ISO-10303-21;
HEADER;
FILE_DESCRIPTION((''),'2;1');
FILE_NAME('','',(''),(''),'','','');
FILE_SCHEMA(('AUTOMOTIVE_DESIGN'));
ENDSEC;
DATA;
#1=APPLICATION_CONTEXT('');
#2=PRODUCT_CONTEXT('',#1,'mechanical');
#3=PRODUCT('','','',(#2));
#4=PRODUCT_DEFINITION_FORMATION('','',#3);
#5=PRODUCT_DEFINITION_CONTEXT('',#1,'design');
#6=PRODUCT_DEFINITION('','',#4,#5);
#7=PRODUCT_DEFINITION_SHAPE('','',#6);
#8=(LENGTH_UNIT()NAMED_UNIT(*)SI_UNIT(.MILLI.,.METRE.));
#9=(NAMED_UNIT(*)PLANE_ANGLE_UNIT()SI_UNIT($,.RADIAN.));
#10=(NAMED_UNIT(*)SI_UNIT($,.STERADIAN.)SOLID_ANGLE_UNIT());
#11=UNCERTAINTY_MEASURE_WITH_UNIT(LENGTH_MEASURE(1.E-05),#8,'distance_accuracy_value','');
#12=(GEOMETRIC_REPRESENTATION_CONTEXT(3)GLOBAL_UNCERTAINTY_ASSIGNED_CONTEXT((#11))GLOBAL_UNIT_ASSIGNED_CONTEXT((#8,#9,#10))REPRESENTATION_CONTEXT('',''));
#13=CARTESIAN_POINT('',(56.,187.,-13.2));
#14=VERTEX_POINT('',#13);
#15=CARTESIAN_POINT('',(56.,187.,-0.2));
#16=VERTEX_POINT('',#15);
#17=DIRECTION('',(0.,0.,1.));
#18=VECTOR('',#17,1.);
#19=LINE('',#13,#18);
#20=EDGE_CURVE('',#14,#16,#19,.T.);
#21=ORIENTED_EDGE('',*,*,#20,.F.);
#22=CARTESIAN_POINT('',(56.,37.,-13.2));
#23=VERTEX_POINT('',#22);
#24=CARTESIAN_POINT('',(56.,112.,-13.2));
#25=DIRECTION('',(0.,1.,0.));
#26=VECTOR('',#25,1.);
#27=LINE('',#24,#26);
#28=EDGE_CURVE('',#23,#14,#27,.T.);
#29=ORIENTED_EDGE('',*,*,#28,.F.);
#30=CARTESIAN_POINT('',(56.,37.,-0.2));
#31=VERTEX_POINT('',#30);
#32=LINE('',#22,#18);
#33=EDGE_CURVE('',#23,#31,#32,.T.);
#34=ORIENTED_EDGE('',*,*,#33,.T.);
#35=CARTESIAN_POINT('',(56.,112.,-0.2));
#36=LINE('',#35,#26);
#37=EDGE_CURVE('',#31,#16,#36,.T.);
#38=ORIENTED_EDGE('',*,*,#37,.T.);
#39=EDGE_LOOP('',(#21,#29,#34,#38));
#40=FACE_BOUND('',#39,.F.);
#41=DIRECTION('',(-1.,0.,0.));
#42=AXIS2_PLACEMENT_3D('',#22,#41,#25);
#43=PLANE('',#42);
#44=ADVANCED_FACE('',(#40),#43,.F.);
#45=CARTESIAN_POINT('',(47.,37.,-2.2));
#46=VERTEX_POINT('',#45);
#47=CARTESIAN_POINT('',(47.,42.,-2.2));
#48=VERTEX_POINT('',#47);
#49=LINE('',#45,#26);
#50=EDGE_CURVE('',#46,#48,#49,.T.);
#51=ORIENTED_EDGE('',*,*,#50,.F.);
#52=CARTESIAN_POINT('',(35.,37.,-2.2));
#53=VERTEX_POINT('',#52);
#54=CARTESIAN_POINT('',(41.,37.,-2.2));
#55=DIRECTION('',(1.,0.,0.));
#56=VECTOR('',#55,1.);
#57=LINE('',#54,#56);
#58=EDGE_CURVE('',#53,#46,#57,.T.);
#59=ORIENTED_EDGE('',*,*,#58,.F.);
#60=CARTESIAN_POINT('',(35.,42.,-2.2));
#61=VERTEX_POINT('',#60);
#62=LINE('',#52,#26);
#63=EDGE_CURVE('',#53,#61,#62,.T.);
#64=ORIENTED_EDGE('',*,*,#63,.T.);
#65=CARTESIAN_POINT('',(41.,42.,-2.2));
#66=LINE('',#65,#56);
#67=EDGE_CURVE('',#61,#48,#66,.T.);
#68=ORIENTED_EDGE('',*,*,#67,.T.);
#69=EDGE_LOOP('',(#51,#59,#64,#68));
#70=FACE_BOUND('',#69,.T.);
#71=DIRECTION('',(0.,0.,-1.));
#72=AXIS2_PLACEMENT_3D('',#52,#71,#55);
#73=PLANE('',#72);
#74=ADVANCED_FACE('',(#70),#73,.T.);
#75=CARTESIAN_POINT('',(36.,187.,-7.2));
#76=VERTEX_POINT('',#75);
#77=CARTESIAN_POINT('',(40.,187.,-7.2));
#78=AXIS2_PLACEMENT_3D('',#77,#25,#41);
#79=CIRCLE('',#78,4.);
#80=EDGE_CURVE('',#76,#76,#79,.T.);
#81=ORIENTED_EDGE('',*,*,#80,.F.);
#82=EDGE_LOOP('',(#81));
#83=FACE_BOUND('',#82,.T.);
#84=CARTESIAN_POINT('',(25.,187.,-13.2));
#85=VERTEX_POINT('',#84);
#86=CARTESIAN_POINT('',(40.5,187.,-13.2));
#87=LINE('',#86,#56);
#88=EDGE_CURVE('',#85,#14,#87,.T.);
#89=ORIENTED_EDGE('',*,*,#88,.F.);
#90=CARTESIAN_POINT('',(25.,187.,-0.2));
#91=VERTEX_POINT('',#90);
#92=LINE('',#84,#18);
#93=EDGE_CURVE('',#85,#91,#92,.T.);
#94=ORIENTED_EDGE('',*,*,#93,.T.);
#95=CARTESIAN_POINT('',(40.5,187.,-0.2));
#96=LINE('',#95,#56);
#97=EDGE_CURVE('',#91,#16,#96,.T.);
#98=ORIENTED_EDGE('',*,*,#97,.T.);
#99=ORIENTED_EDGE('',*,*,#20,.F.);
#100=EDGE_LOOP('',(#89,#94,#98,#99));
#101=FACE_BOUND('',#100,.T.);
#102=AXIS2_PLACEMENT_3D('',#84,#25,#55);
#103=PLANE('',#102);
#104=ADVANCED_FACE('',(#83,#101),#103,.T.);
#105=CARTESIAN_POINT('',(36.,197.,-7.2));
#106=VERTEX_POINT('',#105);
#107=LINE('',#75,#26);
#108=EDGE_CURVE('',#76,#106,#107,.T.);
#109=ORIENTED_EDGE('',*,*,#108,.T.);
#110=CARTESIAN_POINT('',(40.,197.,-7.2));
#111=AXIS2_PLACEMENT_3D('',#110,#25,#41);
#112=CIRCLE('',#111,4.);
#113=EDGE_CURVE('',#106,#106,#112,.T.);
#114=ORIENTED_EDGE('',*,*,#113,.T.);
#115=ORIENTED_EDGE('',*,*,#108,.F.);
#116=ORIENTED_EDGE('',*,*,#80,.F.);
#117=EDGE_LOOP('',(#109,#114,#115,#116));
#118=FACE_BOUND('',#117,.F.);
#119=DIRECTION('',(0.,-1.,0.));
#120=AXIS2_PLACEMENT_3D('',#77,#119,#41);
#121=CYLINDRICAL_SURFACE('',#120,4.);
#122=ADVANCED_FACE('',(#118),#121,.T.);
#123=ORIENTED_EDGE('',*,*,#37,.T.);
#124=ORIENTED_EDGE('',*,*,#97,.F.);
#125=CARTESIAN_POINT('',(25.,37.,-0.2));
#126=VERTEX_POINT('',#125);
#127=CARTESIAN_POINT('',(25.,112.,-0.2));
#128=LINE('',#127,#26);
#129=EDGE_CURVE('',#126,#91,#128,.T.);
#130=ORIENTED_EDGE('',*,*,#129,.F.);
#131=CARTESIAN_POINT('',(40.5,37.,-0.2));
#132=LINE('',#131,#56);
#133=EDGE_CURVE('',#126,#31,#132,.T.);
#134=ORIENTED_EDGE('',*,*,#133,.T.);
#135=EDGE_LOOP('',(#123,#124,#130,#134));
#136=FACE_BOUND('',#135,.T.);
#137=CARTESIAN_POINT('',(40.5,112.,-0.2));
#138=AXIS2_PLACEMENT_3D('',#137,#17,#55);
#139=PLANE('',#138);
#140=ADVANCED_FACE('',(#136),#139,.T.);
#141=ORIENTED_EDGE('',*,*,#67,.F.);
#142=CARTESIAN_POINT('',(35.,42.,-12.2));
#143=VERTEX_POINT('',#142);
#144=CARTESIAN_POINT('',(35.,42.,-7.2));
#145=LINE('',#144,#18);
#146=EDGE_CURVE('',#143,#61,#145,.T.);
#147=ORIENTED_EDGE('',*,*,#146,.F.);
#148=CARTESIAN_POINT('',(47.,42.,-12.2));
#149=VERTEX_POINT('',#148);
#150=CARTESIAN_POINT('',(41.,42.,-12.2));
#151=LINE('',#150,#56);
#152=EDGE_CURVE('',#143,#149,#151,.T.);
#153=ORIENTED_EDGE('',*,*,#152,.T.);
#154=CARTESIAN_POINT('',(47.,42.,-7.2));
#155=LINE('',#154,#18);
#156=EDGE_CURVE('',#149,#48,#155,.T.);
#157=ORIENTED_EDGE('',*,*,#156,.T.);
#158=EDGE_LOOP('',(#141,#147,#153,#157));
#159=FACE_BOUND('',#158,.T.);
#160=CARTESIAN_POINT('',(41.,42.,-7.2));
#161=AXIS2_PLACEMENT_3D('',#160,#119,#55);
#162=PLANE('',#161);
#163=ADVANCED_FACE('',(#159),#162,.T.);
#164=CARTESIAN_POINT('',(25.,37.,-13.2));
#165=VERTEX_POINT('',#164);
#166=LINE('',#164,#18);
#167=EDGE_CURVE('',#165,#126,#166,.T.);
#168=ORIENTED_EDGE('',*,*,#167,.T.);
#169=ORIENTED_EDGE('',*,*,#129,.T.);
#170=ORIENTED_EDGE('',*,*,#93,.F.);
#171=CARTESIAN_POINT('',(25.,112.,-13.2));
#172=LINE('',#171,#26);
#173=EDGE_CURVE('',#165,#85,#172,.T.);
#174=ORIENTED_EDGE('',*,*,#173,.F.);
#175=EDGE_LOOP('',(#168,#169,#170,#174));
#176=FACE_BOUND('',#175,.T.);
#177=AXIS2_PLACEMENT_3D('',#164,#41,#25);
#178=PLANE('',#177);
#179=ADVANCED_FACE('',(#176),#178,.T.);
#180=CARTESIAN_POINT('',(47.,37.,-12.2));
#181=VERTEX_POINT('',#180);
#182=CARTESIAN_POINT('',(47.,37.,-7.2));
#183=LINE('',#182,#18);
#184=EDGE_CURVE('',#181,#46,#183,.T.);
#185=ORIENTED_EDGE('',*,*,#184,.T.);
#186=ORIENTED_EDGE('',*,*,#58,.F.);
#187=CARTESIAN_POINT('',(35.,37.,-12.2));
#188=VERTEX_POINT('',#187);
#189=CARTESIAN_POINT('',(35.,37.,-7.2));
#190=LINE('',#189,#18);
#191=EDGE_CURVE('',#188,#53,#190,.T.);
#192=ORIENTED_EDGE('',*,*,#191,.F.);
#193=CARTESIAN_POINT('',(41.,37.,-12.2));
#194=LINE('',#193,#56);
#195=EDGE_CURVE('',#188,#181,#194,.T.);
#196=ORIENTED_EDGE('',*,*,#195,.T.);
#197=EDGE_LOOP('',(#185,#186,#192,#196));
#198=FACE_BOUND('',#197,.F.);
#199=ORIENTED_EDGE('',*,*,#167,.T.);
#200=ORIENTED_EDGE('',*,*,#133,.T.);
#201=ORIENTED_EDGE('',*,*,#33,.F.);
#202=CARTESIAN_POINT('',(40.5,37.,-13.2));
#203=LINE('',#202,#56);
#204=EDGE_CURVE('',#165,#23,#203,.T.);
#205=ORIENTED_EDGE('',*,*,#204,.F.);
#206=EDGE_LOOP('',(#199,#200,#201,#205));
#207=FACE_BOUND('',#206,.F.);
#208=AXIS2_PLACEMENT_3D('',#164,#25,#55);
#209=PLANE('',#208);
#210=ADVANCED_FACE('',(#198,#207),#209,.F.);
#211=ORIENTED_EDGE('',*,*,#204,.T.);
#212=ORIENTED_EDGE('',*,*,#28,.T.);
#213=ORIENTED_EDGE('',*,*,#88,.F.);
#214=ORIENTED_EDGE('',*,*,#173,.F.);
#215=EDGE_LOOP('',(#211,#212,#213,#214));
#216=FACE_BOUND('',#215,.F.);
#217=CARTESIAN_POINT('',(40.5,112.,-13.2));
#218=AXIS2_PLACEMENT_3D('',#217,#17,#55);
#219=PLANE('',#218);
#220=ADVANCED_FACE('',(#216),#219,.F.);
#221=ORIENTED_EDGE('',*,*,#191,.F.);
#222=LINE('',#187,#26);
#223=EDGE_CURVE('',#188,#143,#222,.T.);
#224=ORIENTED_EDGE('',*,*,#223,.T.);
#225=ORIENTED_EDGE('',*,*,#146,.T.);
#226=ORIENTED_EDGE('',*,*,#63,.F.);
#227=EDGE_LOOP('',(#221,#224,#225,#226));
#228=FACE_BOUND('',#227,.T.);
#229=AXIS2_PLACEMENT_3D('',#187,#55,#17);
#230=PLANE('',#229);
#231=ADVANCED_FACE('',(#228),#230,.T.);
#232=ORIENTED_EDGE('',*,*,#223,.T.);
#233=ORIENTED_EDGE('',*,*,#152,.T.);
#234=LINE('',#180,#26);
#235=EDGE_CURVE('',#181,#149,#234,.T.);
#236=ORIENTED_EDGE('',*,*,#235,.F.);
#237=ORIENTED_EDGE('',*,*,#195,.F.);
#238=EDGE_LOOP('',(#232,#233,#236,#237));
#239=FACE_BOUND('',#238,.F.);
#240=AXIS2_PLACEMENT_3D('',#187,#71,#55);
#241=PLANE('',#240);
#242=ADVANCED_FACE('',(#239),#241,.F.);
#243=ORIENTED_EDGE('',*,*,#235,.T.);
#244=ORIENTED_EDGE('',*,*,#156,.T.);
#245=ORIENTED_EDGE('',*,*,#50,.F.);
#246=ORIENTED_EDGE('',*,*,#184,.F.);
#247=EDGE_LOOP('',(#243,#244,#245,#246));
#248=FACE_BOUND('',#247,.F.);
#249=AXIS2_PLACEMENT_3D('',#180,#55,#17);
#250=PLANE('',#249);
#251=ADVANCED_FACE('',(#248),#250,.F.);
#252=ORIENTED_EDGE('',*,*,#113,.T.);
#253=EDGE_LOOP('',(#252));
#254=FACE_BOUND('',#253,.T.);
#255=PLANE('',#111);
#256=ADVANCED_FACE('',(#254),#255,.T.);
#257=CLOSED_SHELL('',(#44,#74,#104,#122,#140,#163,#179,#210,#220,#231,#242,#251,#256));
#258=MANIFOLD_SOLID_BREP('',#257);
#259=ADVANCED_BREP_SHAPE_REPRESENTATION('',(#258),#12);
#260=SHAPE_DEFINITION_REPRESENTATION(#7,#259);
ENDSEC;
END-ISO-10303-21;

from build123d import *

# Parameters (mm, degrees)
SKETCH015_W     = 31
SKETCH015_H     = 150
PAD010_DEPTH    = 13
SKETCH016_W     = 12
SKETCH016_H     = 10
POCKET004_DEPTH = 5
SKETCH017_R     = 4
PAD011_DEPTH    = 10


with BuildPart() as part:
    # Sketch015 → Pad010 (new body)
    with BuildSketch(Plane.XY):
        with Locations((15.5, 75)):
            Rectangle(SKETCH015_W, SKETCH015_H)
    extrude(amount=PAD010_DEPTH)

    # Sketch016 (on Face1 of Pad010) → Pocket004 (cut)
    with BuildSketch(Plane.XZ):
        with Locations((16, 6)):
            Rectangle(SKETCH016_W, SKETCH016_H)
    extrude(amount=-POCKET004_DEPTH, mode=Mode.SUBTRACT)

    # Sketch017 (on Face10 of Pocket004) → Pad011 (join)
    with BuildSketch(Plane(origin=(0, 150, 0), x_dir=(-1, 0, 0), z_dir=(0, 1, 0))):
        with Locations((-15, 6)):
            Circle(SKETCH017_R)
    extrude(amount=PAD011_DEPTH)


with BuildPart() as part_1:
    # Body008 placement: moved
    add(part.part.moved(Location((25, 37, -13.2))))


solid = part_1.part
